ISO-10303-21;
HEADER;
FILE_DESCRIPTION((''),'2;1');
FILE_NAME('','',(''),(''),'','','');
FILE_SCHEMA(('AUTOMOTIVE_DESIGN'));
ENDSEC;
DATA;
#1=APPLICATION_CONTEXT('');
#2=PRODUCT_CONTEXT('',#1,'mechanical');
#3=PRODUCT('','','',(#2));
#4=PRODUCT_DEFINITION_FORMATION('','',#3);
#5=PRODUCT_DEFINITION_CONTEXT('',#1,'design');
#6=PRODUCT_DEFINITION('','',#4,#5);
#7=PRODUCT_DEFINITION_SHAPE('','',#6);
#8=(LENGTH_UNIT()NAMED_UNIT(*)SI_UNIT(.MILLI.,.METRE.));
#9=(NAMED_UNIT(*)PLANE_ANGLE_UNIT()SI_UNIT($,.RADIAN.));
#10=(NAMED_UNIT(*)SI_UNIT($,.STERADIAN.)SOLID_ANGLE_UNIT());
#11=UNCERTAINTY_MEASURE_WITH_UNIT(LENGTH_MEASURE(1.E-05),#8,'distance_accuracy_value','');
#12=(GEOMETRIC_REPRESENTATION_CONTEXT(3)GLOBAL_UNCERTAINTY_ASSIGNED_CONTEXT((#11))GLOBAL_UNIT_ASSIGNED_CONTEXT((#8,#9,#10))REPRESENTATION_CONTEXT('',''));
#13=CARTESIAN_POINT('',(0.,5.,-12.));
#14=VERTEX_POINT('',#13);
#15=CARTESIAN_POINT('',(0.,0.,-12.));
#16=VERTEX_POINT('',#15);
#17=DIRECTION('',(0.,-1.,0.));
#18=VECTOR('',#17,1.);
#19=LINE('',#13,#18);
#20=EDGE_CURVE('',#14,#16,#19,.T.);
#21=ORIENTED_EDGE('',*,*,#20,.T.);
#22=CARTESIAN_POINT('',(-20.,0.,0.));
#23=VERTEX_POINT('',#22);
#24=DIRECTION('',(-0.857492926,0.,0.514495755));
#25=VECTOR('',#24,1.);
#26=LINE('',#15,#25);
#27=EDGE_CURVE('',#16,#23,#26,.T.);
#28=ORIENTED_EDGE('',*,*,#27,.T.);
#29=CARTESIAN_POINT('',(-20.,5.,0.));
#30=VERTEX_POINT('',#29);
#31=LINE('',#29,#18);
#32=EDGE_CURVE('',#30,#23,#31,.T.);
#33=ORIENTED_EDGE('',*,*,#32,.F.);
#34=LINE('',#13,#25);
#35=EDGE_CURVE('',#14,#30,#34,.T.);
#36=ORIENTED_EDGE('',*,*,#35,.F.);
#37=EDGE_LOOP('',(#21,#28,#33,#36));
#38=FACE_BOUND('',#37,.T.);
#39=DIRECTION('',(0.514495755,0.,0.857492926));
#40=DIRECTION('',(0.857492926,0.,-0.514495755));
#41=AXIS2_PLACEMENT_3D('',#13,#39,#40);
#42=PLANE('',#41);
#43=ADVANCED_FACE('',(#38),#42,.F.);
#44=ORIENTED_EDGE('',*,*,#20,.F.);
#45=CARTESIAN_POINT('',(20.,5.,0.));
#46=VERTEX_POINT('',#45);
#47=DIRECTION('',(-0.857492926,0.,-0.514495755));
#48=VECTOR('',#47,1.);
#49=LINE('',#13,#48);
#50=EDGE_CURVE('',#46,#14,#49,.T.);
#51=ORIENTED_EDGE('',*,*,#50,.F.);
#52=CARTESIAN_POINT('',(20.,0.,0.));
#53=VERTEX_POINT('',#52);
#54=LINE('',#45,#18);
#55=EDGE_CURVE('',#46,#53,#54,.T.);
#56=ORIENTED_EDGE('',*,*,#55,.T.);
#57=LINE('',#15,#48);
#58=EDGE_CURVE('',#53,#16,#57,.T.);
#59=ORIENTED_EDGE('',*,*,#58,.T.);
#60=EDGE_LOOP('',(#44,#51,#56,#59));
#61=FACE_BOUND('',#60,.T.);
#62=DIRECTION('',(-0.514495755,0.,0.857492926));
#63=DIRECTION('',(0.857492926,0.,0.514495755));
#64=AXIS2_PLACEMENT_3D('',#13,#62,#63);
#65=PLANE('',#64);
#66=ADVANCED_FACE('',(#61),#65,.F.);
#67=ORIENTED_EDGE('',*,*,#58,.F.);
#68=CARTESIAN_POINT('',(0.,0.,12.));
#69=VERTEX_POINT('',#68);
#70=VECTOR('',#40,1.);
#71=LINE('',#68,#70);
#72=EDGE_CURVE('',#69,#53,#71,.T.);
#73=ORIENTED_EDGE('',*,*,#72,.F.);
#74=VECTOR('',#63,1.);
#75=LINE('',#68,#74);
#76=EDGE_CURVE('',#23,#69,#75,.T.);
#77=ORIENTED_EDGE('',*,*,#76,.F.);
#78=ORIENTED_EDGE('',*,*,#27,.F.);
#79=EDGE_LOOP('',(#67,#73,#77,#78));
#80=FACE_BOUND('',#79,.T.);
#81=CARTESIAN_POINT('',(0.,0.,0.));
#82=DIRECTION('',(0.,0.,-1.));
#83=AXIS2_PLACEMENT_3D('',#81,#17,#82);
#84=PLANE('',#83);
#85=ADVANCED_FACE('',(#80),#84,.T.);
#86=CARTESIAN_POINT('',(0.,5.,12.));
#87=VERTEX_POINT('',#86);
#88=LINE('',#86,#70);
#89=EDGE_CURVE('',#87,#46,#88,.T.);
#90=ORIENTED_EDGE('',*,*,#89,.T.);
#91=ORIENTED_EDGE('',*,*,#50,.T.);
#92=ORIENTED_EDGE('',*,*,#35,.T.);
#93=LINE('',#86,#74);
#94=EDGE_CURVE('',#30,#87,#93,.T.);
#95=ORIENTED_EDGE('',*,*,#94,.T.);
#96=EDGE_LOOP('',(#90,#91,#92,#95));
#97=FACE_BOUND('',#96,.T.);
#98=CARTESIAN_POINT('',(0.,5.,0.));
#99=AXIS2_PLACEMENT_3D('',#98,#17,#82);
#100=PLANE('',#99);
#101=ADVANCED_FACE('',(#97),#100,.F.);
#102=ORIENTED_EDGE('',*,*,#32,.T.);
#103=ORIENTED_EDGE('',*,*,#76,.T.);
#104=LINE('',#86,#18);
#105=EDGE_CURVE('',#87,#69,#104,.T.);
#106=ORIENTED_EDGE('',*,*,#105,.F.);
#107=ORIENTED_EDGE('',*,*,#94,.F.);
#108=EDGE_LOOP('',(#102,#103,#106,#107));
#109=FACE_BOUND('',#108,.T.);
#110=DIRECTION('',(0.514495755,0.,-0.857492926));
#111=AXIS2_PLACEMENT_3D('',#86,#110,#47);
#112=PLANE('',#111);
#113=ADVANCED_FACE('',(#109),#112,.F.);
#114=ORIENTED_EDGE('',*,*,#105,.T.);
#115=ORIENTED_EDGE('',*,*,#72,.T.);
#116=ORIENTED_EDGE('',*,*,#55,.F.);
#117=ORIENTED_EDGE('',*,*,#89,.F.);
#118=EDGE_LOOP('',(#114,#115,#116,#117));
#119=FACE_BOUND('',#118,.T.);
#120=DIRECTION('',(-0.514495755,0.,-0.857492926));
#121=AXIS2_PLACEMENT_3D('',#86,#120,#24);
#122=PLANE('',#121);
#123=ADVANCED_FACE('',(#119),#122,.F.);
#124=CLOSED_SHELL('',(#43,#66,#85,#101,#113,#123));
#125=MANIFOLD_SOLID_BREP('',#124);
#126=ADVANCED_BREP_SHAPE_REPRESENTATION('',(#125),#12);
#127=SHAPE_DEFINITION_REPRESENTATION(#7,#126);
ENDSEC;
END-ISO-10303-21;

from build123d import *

# Parameters (mm, degrees)
EXTRUDE_1_DEPTH = 5


with BuildPart() as part:
    # 草图1 → 凸台-拉伸1 (new body)
    with BuildSketch(Plane(origin=(0, 0, 0), x_dir=(1, 0, 0), z_dir=(0, 1, 0))):
        Polygon((0, -12), (-20, 0), (0, 12), (20, 0), align=None)
    extrude(amount=EXTRUDE_1_DEPTH)


solid = part.part
